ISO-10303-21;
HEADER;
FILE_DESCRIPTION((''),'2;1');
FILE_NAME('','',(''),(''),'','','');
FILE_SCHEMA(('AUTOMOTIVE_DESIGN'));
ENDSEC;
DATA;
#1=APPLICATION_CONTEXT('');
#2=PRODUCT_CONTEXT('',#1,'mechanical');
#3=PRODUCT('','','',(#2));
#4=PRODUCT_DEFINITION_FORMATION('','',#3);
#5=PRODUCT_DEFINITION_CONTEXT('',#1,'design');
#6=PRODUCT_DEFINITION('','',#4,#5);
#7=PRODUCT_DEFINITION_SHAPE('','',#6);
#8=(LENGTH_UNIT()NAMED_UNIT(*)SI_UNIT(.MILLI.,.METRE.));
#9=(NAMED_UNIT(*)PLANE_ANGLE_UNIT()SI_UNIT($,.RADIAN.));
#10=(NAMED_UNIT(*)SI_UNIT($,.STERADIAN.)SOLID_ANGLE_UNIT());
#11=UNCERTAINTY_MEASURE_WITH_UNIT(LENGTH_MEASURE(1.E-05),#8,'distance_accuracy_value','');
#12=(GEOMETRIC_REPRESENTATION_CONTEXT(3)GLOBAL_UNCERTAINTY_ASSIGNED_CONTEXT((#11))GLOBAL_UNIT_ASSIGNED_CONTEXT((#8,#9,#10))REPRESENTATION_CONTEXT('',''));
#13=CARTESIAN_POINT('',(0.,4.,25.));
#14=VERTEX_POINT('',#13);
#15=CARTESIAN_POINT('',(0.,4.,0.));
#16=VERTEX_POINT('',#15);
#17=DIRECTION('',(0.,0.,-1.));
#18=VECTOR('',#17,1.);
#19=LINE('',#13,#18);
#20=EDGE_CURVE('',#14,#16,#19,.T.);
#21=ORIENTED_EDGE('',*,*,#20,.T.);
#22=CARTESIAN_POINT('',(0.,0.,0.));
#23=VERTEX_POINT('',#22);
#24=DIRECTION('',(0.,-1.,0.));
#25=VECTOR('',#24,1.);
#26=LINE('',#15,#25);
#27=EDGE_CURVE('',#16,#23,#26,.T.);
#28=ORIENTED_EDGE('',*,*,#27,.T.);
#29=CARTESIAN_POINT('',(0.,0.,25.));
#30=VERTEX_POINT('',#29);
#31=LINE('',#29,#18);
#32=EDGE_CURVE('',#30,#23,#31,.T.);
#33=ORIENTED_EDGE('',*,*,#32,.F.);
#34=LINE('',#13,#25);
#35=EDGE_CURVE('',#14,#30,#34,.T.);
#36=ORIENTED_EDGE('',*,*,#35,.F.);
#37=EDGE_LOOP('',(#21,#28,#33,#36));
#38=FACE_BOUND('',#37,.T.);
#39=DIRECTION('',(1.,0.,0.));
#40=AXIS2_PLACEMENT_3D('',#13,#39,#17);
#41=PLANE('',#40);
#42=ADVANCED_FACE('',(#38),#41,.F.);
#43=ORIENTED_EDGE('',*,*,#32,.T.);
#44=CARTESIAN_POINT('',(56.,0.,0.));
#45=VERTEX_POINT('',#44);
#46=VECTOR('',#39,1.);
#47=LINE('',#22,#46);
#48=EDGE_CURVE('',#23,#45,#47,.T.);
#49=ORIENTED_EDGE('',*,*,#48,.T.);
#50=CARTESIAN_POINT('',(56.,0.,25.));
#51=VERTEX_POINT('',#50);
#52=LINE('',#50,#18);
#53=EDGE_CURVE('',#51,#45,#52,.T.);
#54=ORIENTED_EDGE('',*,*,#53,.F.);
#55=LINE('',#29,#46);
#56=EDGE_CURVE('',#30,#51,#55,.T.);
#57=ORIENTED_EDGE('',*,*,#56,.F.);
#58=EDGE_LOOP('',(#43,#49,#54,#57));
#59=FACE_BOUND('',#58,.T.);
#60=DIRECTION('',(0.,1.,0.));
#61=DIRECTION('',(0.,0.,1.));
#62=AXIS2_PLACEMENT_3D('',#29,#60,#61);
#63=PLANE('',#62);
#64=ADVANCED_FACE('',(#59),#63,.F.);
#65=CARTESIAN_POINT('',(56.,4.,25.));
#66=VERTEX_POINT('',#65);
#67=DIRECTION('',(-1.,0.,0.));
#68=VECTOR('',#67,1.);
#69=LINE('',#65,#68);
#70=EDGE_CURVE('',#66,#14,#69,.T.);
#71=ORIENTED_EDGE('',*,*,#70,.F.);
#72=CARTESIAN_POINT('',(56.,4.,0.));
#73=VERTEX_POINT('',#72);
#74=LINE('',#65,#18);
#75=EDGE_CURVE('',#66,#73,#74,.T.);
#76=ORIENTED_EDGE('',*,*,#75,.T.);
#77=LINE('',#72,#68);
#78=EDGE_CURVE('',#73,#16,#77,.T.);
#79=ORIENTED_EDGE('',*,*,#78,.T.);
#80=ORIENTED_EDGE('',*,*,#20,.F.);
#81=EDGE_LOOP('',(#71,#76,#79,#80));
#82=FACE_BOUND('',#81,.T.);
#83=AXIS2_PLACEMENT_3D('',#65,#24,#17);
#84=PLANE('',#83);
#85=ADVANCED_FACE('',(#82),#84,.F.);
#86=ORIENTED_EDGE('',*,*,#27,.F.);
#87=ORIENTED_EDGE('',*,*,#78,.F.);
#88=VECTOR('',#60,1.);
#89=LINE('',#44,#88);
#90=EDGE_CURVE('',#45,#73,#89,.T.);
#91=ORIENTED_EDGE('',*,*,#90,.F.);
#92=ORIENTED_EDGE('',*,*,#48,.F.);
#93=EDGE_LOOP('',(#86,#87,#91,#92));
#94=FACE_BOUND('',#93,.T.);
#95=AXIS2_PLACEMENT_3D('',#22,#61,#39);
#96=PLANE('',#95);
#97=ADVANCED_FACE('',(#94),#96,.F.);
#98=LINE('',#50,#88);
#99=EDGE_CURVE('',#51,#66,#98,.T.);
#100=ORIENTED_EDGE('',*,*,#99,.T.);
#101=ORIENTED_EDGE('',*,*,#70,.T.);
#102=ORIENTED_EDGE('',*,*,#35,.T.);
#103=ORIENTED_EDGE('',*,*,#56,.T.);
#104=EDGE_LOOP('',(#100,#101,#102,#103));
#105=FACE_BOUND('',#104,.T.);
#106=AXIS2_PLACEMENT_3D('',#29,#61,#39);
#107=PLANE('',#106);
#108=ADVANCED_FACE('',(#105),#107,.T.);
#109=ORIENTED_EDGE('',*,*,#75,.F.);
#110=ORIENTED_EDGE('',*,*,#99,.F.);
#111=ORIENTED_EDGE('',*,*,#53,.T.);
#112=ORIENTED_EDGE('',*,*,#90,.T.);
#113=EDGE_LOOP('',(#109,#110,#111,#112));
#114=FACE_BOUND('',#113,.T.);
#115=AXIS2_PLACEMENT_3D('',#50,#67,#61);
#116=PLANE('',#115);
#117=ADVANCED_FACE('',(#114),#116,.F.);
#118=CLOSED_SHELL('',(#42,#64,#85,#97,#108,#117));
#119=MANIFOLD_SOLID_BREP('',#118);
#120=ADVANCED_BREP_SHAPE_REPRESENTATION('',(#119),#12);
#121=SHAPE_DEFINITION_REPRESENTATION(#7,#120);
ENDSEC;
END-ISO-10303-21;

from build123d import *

# Parameters (mm, degrees)
SKETCH_1_W             = 56
SKETCH_1_H             = 4
TOP_MOUNT_BRIDGE_DEPTH = 25


with BuildPart() as part:
    # 草图1 → Top_mount_bridge (new body)
    with BuildSketch(Plane.XY):
        with Locations((28, 2)):
            Rectangle(SKETCH_1_W, SKETCH_1_H)
    extrude(amount=TOP_MOUNT_BRIDGE_DEPTH)


solid = part.part
